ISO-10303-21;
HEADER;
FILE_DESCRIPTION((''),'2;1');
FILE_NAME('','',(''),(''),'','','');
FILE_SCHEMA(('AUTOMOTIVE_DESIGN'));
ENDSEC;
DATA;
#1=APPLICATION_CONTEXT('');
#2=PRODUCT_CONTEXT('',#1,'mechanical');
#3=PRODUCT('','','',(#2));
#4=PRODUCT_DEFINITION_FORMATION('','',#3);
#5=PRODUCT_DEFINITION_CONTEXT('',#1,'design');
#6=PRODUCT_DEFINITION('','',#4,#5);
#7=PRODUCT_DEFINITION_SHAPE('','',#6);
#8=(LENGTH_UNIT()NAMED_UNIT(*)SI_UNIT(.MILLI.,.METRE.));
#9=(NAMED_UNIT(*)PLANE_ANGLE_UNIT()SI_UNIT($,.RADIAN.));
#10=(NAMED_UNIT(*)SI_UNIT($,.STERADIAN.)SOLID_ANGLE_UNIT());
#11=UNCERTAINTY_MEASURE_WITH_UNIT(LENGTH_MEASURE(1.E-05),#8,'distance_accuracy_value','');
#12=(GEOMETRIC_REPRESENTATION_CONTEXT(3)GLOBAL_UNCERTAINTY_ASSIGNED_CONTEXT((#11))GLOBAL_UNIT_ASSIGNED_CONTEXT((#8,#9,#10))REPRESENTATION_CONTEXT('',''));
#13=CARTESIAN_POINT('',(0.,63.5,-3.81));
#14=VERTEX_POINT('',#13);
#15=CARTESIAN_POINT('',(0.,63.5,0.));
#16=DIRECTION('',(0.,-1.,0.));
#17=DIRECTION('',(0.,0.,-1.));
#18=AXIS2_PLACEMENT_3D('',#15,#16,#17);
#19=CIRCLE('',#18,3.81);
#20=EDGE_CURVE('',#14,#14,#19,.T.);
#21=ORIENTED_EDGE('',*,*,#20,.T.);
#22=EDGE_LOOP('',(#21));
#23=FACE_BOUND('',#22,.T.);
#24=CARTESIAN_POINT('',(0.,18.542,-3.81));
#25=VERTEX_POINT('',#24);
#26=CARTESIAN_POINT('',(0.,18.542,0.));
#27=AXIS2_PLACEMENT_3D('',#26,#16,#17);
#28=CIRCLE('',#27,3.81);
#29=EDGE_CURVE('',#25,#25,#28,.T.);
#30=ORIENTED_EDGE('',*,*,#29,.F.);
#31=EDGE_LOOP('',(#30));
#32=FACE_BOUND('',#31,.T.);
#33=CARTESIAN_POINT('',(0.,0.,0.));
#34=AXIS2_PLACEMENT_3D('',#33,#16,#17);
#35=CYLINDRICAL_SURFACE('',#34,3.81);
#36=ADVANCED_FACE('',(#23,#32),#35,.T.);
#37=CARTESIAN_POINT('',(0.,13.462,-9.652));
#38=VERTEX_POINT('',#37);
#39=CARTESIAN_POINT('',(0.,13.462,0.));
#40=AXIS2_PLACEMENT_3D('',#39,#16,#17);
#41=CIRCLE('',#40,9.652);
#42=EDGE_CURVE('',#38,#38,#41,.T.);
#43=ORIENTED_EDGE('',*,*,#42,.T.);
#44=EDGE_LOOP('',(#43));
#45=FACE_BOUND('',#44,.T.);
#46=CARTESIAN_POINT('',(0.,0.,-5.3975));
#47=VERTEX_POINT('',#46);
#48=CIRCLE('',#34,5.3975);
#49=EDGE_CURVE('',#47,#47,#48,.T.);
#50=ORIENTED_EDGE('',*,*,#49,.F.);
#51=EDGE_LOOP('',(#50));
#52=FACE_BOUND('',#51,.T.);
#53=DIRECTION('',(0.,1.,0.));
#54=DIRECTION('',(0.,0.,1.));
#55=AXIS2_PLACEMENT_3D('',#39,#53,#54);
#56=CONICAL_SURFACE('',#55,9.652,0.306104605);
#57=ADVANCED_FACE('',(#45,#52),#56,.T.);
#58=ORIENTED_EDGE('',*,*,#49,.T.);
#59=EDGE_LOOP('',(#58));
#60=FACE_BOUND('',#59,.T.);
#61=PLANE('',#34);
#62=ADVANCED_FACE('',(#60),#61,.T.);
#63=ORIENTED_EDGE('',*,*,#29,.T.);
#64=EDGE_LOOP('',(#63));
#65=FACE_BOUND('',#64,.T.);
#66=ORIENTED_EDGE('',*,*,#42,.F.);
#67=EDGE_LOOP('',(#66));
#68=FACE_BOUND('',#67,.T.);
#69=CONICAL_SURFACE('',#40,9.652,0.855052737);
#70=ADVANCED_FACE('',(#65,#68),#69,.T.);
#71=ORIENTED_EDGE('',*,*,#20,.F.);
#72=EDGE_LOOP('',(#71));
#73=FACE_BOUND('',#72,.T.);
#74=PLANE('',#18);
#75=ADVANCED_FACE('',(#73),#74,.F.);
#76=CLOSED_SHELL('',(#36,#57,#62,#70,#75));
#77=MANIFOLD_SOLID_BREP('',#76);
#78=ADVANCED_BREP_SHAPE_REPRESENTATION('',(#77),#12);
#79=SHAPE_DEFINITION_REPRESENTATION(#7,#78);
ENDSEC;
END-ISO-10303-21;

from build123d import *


with BuildPart() as part:
    # Sketch1 → Base-Revolve (revolve)
    with BuildSketch(Plane.XY):
        Polygon((3.81, 63.5), (3.81, 18.542), (9.652, 13.462), (5.3975, 0), (0, 0), (0, 63.5), align=None)
    revolve(axis=Axis((0, 0, 0), (0, 1, 0)))


solid = part.part
